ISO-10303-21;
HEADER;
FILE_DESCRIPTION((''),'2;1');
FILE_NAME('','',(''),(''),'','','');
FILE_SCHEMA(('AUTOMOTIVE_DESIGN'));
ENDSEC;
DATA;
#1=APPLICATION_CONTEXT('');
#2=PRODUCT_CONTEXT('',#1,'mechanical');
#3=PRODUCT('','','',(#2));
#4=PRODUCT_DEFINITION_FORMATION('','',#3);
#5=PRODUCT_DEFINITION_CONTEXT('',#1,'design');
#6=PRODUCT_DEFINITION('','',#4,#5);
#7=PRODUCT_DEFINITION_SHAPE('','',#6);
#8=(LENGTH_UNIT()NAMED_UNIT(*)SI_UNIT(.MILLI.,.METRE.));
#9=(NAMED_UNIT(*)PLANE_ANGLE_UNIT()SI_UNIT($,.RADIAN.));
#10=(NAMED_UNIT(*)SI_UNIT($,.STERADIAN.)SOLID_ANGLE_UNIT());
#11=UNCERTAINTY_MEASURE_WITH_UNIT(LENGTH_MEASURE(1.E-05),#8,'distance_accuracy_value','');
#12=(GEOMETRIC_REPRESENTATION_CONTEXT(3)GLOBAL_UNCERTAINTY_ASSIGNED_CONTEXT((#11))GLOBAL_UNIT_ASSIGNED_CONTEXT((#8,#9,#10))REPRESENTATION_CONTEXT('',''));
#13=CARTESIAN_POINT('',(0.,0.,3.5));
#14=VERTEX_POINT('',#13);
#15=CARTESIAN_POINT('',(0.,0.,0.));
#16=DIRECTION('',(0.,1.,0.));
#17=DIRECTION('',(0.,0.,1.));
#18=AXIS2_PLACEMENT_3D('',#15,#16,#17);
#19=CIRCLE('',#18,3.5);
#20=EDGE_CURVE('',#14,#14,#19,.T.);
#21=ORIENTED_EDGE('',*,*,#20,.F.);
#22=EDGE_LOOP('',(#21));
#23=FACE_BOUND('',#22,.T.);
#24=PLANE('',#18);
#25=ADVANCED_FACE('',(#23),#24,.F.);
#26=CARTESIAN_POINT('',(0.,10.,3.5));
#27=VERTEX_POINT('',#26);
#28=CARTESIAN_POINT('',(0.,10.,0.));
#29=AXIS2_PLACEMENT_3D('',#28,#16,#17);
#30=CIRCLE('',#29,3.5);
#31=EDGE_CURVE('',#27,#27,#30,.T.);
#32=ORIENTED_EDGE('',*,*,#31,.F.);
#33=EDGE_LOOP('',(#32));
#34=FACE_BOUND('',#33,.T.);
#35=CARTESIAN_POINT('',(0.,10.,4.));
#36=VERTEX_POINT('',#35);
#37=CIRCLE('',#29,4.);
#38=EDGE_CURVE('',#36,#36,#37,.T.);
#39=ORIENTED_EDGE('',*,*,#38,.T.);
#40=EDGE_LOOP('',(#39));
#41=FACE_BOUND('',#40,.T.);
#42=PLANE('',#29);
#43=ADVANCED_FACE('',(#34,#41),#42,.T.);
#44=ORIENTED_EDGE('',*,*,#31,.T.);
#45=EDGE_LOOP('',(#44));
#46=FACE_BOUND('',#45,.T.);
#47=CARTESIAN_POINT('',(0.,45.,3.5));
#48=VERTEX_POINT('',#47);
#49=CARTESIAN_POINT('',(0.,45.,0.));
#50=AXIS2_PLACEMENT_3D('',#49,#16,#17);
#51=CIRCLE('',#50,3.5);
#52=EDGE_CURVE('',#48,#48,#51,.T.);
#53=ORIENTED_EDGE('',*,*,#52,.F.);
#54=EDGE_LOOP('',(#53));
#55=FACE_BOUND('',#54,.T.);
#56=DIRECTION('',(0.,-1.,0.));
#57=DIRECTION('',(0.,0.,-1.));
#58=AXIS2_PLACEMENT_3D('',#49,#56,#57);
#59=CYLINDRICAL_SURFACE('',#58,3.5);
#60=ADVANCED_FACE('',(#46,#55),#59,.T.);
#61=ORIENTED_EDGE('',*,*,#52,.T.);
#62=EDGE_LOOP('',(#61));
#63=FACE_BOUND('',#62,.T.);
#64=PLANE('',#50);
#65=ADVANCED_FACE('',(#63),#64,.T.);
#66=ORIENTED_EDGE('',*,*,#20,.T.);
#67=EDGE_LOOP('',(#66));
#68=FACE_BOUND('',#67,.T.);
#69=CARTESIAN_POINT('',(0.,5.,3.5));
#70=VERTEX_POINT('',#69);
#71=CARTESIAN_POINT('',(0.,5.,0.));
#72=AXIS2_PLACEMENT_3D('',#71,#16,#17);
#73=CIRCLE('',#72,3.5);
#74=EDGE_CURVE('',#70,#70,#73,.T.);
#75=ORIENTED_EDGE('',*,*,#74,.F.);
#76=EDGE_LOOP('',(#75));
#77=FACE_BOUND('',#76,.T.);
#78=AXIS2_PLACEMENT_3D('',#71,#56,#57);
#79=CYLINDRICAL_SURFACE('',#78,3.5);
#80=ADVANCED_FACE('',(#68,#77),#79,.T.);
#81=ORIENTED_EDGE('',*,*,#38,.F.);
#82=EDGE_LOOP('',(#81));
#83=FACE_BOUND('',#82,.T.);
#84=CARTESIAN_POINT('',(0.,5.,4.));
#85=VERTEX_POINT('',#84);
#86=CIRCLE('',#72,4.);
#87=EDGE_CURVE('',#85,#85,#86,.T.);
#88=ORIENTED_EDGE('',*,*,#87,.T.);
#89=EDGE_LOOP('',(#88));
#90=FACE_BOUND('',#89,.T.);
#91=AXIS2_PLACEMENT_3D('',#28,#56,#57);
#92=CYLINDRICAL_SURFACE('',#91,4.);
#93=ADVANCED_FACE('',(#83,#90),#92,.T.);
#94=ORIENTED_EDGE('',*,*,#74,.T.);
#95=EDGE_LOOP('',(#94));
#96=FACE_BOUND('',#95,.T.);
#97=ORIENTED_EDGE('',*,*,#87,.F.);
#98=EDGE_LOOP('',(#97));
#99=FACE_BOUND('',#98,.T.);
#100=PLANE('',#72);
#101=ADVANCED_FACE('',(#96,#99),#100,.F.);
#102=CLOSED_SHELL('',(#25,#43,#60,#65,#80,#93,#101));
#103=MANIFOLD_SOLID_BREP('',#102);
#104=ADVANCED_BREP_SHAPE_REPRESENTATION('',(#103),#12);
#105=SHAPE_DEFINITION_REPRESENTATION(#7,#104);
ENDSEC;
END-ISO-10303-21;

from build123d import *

# Parameters (mm, degrees)
SKETCH1_R           = 3.5
BOSS_EXTRUDE1_DEPTH = 5
SKETCH2_R           = 4
BOSS_EXTRUDE2_DEPTH = 5
SKETCH3_R           = 3.5
BOSS_EXTRUDE3_DEPTH = 35


with BuildPart() as part:
    # Sketch1 → Boss-Extrude1 (new body)
    with BuildSketch(Plane(origin=(0, 0, 0), x_dir=(1, 0, 0), z_dir=(0, 1, 0))):
        with Locations(Location((0, 0, 0), (0, 0, 270))):  # turned: the seam where the file's is
            Circle(SKETCH1_R)
    extrude(amount=BOSS_EXTRUDE1_DEPTH)

    # Sketch2 → Boss-Extrude2 (add)
    with BuildSketch(Plane(origin=(0, 5, 0), x_dir=(1, 0, 0), z_dir=(0, 1, 0))):
        with Locations(Location((0, 0, 0), (0, 0, 270))):  # turned: the seam where the file's is
            Circle(SKETCH2_R)
    extrude(amount=BOSS_EXTRUDE2_DEPTH)

    # Sketch3 → Boss-Extrude3 (add)
    with BuildSketch(Plane(origin=(0, 10, 0), x_dir=(1, 0, 0), z_dir=(0, 1, 0))):
        with Locations(Location((0, 0, 0), (0, 0, 270))):  # turned: the seam where the file's is
            Circle(SKETCH3_R)
    extrude(amount=BOSS_EXTRUDE3_DEPTH)


solid = part.part
